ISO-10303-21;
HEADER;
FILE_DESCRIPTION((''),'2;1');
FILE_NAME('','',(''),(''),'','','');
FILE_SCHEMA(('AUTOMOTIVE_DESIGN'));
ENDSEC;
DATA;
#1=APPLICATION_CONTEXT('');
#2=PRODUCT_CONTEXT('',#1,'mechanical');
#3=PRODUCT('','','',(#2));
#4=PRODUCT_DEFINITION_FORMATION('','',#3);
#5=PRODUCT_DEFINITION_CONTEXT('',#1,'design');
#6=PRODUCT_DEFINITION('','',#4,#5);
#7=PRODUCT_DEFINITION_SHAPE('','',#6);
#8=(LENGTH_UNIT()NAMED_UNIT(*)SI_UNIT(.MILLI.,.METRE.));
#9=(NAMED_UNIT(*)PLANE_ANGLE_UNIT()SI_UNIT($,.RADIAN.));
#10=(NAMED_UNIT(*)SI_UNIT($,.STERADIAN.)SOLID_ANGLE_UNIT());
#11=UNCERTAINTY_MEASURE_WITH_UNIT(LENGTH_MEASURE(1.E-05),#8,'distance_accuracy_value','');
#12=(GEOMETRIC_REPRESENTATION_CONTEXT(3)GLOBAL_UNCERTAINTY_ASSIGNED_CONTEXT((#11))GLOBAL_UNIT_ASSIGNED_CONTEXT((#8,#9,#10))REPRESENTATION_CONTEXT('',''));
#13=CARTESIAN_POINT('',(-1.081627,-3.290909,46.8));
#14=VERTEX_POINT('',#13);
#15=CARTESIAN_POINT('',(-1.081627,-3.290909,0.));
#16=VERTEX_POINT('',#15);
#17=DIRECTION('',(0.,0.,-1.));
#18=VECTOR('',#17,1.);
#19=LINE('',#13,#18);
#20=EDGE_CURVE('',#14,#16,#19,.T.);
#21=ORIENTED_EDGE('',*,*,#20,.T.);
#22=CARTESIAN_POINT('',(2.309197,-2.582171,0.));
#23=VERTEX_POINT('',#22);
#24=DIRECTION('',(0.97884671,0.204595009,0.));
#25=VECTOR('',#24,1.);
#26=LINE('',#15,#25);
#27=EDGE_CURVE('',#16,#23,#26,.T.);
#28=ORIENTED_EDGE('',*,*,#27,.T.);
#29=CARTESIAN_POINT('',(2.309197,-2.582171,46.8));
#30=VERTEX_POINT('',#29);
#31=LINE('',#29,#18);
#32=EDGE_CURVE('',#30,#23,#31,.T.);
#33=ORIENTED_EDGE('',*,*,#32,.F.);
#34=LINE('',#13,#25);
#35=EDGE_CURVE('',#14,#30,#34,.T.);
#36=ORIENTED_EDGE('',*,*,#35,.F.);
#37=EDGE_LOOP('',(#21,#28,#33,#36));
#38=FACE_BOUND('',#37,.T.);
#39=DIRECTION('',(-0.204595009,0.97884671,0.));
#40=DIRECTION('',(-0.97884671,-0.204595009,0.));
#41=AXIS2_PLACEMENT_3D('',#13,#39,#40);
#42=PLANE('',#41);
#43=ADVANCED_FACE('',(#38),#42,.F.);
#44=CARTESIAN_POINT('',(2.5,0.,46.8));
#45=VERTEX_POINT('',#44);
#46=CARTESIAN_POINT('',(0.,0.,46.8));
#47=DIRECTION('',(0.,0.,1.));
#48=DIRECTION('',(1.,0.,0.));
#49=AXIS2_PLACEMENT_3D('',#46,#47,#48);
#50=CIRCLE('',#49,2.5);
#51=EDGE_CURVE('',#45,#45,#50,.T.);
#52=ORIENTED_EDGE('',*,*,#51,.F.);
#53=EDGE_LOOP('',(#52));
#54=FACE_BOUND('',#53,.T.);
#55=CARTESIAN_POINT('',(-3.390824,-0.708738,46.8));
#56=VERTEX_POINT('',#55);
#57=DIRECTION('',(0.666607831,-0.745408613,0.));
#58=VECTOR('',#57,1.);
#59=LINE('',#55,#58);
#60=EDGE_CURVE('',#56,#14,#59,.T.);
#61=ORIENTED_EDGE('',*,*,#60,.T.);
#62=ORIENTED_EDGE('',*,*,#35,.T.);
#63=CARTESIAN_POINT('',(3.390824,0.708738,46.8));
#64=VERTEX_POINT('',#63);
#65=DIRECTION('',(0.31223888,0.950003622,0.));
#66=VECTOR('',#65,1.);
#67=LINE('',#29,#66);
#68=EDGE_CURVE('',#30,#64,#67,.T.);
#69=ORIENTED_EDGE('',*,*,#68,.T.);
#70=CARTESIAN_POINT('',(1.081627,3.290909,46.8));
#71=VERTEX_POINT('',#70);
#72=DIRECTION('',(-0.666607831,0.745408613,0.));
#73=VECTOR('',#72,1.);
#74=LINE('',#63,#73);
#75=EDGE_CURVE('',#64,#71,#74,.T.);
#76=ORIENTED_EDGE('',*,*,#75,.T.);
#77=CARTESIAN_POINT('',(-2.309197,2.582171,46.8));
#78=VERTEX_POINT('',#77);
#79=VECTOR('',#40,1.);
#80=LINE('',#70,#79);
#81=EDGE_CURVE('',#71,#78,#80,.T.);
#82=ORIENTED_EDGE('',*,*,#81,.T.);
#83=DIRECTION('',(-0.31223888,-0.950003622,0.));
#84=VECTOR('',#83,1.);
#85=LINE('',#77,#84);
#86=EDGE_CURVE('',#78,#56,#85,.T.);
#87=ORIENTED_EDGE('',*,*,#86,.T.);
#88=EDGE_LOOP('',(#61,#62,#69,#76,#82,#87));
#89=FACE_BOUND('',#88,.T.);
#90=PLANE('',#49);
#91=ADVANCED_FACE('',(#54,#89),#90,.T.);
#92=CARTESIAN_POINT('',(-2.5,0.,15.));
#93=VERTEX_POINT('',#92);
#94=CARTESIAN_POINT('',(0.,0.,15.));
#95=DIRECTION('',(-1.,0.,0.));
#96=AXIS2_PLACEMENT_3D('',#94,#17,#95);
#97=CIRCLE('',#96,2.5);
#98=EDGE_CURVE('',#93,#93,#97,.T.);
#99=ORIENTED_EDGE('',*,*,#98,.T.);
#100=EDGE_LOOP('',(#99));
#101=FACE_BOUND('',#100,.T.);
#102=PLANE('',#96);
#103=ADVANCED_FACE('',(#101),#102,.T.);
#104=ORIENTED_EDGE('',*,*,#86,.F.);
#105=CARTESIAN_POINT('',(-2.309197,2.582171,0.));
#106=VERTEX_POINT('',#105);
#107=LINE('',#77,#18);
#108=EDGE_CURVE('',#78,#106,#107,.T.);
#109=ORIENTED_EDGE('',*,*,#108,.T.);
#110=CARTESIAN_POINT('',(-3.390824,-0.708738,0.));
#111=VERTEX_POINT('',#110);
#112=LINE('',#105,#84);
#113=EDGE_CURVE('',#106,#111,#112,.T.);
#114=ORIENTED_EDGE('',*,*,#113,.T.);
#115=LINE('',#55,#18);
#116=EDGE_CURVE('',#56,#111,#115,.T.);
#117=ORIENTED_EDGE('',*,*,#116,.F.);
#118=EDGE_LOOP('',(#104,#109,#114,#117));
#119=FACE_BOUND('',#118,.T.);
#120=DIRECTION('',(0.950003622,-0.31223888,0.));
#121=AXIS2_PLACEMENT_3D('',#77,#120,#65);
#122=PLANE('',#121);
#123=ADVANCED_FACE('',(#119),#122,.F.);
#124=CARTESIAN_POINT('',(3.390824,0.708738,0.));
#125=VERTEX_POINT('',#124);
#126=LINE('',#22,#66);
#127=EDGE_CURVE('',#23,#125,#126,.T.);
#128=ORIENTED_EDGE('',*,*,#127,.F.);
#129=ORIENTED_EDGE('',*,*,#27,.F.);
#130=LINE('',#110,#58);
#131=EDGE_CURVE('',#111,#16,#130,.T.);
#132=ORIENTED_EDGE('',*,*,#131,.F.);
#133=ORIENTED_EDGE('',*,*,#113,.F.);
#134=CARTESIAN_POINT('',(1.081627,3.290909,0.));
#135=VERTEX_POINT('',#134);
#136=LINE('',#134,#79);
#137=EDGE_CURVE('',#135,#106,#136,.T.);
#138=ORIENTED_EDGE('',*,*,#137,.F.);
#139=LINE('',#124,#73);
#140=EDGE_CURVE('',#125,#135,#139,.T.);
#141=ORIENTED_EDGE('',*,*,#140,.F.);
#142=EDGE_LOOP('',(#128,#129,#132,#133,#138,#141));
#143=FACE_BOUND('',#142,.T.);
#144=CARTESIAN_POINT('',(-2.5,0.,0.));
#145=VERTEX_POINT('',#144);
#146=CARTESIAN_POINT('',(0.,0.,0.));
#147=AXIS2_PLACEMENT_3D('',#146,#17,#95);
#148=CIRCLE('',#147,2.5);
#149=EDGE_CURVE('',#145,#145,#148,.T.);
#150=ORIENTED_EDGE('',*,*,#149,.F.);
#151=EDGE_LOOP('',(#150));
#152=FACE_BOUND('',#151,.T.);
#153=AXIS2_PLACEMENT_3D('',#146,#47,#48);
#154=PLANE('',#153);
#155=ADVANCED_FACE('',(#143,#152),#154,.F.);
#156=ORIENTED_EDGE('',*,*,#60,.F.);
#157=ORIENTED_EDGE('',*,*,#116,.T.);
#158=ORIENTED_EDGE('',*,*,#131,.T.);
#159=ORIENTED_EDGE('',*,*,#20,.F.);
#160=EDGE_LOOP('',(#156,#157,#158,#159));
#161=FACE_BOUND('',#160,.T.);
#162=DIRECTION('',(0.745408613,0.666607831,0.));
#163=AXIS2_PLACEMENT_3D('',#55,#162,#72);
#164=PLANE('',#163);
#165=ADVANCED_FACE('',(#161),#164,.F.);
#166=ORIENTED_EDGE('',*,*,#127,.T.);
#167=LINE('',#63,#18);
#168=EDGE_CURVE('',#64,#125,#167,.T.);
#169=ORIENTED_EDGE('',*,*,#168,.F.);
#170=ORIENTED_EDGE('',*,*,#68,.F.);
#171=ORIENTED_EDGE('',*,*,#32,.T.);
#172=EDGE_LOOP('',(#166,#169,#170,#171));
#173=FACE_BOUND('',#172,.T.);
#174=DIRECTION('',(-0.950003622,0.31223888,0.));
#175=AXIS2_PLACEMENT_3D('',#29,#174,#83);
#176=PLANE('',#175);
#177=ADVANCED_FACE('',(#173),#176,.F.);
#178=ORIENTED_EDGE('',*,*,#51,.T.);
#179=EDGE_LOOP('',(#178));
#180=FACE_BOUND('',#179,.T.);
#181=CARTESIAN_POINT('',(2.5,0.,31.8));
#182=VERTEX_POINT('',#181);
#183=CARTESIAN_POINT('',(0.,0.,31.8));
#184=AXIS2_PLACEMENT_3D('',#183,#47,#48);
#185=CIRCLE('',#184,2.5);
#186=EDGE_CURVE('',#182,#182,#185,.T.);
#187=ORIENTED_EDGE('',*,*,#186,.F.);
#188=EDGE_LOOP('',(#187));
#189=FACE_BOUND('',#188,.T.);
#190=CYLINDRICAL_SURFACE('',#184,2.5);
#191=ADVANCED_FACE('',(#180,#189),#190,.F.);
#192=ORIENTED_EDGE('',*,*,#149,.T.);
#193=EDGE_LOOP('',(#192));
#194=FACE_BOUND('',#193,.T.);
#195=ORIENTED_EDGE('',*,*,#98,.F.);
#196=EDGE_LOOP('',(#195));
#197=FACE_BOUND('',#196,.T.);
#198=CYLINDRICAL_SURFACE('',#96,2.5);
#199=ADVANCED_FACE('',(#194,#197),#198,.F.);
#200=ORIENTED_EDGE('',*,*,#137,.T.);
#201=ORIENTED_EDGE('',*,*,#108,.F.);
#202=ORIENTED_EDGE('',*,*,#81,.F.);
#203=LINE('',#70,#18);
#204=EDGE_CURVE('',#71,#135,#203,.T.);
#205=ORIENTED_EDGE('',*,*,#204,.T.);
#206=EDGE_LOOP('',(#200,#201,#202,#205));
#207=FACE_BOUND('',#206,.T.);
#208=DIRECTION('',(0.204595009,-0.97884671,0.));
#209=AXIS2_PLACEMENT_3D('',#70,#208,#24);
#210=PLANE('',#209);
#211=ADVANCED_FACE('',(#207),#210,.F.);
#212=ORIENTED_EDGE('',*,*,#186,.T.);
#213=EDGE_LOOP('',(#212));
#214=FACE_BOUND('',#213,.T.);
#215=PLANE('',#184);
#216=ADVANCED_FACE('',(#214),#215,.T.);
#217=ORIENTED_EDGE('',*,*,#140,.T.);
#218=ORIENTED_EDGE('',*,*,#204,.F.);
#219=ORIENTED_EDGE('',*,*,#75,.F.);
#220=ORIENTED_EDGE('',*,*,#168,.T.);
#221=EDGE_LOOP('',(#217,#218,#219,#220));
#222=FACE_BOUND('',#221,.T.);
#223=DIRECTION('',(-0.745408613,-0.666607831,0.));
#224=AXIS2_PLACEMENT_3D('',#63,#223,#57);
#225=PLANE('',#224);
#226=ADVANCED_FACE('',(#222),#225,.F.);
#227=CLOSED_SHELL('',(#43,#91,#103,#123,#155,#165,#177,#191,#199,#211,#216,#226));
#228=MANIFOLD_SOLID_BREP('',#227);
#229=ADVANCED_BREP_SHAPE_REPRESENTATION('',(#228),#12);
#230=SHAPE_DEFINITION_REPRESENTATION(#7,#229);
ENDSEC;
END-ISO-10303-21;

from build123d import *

# Parameters (mm, degrees)
BOSS_EXTRUDE4_DEPTH = 46.8
SKETCH4_R           = 2.5
CUT_EXTRUDE3_DEPTH  = 15
CUT_EXTRUDE4_START  = -15
SKETCH5_R           = 2.5
CUT_EXTRUDE4_DEPTH  = 15


with BuildPart() as part:
    # Sketch1 → Boss-Extrude4 (new body)
    with BuildSketch(Plane.XY):
        Polygon((3.39082447, 0.708737902), (1.081627208, 3.290909082), (-2.309197262, 2.58217118), (-3.39082447, -0.708737902), (-1.081627208, -3.290909082), (2.309197262, -2.58217118), align=None)
    extrude(amount=BOSS_EXTRUDE4_DEPTH)

    # Sketch4 → Cut-Extrude3 (cut)
    with BuildSketch(Plane.XY.offset(46.8)):
        Circle(SKETCH4_R)
    extrude(amount=-CUT_EXTRUDE3_DEPTH, mode=Mode.SUBTRACT)

    # Sketch5 → Cut-Extrude4 (cut)
    with BuildSketch(Plane(origin=(0, 0, 0), x_dir=(-1, 0, 0), z_dir=(0, 0, -1)).offset(CUT_EXTRUDE4_START)):
        with Locations(Location((0, 0, 0), (0, 0, 180))):
            Circle(SKETCH5_R)
    extrude(amount=CUT_EXTRUDE4_DEPTH, mode=Mode.SUBTRACT)


solid = part.part
